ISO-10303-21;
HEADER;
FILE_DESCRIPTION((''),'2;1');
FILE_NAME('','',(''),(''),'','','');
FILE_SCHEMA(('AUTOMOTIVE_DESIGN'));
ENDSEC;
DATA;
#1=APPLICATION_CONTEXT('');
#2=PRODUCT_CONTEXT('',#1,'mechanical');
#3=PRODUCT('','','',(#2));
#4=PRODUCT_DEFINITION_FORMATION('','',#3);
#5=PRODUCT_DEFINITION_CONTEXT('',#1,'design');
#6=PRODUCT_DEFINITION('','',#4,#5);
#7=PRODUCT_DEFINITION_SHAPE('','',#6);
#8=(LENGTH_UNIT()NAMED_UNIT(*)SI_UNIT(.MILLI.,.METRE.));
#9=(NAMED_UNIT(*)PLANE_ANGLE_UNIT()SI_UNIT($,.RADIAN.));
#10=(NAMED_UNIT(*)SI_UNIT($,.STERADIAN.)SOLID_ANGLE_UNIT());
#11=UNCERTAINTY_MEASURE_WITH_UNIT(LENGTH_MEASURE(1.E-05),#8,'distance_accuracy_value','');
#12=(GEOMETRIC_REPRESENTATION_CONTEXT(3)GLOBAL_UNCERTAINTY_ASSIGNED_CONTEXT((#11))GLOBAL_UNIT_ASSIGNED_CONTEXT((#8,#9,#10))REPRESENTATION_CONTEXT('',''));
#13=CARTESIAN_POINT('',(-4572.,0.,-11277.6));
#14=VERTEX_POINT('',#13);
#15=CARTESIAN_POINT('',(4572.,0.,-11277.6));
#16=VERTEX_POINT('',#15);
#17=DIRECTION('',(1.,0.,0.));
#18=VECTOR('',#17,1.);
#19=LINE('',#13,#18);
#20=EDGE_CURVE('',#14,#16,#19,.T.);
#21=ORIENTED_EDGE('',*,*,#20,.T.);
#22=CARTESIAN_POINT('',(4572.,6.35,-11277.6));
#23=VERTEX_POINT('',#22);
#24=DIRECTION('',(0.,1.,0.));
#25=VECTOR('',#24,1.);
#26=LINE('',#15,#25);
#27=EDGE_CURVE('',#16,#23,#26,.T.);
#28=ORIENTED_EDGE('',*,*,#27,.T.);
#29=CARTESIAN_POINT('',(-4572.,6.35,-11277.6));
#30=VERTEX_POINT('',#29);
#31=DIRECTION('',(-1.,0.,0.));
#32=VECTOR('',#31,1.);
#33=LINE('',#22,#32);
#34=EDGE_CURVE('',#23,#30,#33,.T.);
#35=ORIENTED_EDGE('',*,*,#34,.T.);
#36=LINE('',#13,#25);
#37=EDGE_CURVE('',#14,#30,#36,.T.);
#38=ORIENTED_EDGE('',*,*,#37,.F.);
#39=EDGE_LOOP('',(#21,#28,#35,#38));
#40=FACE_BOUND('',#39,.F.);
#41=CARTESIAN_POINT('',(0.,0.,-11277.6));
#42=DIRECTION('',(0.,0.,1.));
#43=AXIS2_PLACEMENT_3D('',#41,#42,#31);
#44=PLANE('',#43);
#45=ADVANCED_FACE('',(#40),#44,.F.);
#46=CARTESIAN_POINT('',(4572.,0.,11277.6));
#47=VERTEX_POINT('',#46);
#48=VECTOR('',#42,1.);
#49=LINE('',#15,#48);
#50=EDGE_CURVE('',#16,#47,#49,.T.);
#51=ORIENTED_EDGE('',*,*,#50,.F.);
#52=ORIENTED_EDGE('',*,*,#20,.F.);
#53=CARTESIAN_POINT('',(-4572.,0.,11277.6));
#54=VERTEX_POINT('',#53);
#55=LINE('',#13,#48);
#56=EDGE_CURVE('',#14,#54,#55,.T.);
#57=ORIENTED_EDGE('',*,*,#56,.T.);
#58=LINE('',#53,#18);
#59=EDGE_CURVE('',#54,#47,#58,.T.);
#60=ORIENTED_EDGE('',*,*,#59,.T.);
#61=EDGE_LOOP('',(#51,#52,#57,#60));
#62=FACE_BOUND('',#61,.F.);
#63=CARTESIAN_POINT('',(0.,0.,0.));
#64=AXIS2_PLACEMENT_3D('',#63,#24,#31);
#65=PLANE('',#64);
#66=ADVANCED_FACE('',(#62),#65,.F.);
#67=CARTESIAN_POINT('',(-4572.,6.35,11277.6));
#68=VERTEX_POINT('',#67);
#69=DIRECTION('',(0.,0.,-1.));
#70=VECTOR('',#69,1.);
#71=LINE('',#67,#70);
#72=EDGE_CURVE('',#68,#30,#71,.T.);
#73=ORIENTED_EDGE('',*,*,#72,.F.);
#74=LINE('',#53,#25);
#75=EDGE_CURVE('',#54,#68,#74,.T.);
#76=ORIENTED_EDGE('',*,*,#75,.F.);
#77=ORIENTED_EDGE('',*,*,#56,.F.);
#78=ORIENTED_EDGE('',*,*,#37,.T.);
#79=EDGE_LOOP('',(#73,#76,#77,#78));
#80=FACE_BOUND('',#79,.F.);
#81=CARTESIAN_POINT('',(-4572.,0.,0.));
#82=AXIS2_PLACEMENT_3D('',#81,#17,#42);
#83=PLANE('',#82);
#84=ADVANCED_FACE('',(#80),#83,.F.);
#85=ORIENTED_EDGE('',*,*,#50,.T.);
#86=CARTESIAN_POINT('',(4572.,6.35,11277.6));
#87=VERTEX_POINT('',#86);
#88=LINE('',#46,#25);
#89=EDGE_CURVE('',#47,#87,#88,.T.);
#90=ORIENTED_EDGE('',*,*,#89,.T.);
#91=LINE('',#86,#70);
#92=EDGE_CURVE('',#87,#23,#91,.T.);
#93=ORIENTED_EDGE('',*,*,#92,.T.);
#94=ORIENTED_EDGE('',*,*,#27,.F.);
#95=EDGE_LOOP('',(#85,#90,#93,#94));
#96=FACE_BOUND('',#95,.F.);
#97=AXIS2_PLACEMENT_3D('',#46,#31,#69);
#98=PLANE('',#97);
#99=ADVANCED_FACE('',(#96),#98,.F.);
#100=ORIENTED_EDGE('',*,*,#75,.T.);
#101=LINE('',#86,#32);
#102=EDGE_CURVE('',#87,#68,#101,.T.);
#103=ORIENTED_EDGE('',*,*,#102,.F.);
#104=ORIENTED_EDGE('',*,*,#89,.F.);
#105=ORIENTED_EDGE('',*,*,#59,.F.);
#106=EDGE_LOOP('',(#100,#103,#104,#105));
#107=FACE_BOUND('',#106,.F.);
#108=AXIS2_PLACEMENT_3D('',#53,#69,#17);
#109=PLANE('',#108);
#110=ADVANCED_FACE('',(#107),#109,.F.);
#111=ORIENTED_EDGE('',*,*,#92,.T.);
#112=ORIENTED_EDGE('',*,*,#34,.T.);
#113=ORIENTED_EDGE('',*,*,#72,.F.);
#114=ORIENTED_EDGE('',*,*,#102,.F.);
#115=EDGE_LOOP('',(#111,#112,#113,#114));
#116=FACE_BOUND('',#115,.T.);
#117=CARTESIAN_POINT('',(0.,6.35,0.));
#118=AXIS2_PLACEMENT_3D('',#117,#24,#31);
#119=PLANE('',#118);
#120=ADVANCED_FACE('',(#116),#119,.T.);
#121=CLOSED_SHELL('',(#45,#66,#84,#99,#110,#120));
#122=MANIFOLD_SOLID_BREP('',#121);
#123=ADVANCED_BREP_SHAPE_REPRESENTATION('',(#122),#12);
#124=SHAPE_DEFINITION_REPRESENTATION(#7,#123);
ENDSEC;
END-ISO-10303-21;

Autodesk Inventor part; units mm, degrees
ref_plane "YZ Plane" through (0, 0, 0) normal (1, 0, 0) x (0, 1, 0)
ref_plane "XZ Plane" through (0, 0, 0) normal (0, 1, 0) x (-1, 0, 0)
ref_plane "XY Plane" through (0, 0, 0) normal (0, 0, 1) x (1, 0, 0)
sketch "Sketch2" plane through (0, 0, 0) normal (0, 1, 0) x (-1, 0, 0)
  line L0 (4572, 11277.6) -> (-4572, 11277.6)
  line L1 (-4572, 11277.6) -> (-4572, -11277.6)
  line L2 (-4572, -11277.6) -> (4572, -11277.6)
  line L3 (4572, -11277.6) -> (4572, 11277.6)
  line L4 (0, -15788.64) -> (0, 15788.64) projected
  line L5 (-6400.8, 0) -> (6400.8, 0) projected
  dimension "d0" = 22555.2
  dimension "d1" = 9144
  dimension "d4" = 11277.6
  dimension "d5" = 4572
extrude "Extrusion1" add sketch "Sketch2" along normal blind 6.35
equation "\"d4\" = 0.5 * d0"
equation "\"d5\" = 0.5 * d1"
properties part number "FE-00035-06"
